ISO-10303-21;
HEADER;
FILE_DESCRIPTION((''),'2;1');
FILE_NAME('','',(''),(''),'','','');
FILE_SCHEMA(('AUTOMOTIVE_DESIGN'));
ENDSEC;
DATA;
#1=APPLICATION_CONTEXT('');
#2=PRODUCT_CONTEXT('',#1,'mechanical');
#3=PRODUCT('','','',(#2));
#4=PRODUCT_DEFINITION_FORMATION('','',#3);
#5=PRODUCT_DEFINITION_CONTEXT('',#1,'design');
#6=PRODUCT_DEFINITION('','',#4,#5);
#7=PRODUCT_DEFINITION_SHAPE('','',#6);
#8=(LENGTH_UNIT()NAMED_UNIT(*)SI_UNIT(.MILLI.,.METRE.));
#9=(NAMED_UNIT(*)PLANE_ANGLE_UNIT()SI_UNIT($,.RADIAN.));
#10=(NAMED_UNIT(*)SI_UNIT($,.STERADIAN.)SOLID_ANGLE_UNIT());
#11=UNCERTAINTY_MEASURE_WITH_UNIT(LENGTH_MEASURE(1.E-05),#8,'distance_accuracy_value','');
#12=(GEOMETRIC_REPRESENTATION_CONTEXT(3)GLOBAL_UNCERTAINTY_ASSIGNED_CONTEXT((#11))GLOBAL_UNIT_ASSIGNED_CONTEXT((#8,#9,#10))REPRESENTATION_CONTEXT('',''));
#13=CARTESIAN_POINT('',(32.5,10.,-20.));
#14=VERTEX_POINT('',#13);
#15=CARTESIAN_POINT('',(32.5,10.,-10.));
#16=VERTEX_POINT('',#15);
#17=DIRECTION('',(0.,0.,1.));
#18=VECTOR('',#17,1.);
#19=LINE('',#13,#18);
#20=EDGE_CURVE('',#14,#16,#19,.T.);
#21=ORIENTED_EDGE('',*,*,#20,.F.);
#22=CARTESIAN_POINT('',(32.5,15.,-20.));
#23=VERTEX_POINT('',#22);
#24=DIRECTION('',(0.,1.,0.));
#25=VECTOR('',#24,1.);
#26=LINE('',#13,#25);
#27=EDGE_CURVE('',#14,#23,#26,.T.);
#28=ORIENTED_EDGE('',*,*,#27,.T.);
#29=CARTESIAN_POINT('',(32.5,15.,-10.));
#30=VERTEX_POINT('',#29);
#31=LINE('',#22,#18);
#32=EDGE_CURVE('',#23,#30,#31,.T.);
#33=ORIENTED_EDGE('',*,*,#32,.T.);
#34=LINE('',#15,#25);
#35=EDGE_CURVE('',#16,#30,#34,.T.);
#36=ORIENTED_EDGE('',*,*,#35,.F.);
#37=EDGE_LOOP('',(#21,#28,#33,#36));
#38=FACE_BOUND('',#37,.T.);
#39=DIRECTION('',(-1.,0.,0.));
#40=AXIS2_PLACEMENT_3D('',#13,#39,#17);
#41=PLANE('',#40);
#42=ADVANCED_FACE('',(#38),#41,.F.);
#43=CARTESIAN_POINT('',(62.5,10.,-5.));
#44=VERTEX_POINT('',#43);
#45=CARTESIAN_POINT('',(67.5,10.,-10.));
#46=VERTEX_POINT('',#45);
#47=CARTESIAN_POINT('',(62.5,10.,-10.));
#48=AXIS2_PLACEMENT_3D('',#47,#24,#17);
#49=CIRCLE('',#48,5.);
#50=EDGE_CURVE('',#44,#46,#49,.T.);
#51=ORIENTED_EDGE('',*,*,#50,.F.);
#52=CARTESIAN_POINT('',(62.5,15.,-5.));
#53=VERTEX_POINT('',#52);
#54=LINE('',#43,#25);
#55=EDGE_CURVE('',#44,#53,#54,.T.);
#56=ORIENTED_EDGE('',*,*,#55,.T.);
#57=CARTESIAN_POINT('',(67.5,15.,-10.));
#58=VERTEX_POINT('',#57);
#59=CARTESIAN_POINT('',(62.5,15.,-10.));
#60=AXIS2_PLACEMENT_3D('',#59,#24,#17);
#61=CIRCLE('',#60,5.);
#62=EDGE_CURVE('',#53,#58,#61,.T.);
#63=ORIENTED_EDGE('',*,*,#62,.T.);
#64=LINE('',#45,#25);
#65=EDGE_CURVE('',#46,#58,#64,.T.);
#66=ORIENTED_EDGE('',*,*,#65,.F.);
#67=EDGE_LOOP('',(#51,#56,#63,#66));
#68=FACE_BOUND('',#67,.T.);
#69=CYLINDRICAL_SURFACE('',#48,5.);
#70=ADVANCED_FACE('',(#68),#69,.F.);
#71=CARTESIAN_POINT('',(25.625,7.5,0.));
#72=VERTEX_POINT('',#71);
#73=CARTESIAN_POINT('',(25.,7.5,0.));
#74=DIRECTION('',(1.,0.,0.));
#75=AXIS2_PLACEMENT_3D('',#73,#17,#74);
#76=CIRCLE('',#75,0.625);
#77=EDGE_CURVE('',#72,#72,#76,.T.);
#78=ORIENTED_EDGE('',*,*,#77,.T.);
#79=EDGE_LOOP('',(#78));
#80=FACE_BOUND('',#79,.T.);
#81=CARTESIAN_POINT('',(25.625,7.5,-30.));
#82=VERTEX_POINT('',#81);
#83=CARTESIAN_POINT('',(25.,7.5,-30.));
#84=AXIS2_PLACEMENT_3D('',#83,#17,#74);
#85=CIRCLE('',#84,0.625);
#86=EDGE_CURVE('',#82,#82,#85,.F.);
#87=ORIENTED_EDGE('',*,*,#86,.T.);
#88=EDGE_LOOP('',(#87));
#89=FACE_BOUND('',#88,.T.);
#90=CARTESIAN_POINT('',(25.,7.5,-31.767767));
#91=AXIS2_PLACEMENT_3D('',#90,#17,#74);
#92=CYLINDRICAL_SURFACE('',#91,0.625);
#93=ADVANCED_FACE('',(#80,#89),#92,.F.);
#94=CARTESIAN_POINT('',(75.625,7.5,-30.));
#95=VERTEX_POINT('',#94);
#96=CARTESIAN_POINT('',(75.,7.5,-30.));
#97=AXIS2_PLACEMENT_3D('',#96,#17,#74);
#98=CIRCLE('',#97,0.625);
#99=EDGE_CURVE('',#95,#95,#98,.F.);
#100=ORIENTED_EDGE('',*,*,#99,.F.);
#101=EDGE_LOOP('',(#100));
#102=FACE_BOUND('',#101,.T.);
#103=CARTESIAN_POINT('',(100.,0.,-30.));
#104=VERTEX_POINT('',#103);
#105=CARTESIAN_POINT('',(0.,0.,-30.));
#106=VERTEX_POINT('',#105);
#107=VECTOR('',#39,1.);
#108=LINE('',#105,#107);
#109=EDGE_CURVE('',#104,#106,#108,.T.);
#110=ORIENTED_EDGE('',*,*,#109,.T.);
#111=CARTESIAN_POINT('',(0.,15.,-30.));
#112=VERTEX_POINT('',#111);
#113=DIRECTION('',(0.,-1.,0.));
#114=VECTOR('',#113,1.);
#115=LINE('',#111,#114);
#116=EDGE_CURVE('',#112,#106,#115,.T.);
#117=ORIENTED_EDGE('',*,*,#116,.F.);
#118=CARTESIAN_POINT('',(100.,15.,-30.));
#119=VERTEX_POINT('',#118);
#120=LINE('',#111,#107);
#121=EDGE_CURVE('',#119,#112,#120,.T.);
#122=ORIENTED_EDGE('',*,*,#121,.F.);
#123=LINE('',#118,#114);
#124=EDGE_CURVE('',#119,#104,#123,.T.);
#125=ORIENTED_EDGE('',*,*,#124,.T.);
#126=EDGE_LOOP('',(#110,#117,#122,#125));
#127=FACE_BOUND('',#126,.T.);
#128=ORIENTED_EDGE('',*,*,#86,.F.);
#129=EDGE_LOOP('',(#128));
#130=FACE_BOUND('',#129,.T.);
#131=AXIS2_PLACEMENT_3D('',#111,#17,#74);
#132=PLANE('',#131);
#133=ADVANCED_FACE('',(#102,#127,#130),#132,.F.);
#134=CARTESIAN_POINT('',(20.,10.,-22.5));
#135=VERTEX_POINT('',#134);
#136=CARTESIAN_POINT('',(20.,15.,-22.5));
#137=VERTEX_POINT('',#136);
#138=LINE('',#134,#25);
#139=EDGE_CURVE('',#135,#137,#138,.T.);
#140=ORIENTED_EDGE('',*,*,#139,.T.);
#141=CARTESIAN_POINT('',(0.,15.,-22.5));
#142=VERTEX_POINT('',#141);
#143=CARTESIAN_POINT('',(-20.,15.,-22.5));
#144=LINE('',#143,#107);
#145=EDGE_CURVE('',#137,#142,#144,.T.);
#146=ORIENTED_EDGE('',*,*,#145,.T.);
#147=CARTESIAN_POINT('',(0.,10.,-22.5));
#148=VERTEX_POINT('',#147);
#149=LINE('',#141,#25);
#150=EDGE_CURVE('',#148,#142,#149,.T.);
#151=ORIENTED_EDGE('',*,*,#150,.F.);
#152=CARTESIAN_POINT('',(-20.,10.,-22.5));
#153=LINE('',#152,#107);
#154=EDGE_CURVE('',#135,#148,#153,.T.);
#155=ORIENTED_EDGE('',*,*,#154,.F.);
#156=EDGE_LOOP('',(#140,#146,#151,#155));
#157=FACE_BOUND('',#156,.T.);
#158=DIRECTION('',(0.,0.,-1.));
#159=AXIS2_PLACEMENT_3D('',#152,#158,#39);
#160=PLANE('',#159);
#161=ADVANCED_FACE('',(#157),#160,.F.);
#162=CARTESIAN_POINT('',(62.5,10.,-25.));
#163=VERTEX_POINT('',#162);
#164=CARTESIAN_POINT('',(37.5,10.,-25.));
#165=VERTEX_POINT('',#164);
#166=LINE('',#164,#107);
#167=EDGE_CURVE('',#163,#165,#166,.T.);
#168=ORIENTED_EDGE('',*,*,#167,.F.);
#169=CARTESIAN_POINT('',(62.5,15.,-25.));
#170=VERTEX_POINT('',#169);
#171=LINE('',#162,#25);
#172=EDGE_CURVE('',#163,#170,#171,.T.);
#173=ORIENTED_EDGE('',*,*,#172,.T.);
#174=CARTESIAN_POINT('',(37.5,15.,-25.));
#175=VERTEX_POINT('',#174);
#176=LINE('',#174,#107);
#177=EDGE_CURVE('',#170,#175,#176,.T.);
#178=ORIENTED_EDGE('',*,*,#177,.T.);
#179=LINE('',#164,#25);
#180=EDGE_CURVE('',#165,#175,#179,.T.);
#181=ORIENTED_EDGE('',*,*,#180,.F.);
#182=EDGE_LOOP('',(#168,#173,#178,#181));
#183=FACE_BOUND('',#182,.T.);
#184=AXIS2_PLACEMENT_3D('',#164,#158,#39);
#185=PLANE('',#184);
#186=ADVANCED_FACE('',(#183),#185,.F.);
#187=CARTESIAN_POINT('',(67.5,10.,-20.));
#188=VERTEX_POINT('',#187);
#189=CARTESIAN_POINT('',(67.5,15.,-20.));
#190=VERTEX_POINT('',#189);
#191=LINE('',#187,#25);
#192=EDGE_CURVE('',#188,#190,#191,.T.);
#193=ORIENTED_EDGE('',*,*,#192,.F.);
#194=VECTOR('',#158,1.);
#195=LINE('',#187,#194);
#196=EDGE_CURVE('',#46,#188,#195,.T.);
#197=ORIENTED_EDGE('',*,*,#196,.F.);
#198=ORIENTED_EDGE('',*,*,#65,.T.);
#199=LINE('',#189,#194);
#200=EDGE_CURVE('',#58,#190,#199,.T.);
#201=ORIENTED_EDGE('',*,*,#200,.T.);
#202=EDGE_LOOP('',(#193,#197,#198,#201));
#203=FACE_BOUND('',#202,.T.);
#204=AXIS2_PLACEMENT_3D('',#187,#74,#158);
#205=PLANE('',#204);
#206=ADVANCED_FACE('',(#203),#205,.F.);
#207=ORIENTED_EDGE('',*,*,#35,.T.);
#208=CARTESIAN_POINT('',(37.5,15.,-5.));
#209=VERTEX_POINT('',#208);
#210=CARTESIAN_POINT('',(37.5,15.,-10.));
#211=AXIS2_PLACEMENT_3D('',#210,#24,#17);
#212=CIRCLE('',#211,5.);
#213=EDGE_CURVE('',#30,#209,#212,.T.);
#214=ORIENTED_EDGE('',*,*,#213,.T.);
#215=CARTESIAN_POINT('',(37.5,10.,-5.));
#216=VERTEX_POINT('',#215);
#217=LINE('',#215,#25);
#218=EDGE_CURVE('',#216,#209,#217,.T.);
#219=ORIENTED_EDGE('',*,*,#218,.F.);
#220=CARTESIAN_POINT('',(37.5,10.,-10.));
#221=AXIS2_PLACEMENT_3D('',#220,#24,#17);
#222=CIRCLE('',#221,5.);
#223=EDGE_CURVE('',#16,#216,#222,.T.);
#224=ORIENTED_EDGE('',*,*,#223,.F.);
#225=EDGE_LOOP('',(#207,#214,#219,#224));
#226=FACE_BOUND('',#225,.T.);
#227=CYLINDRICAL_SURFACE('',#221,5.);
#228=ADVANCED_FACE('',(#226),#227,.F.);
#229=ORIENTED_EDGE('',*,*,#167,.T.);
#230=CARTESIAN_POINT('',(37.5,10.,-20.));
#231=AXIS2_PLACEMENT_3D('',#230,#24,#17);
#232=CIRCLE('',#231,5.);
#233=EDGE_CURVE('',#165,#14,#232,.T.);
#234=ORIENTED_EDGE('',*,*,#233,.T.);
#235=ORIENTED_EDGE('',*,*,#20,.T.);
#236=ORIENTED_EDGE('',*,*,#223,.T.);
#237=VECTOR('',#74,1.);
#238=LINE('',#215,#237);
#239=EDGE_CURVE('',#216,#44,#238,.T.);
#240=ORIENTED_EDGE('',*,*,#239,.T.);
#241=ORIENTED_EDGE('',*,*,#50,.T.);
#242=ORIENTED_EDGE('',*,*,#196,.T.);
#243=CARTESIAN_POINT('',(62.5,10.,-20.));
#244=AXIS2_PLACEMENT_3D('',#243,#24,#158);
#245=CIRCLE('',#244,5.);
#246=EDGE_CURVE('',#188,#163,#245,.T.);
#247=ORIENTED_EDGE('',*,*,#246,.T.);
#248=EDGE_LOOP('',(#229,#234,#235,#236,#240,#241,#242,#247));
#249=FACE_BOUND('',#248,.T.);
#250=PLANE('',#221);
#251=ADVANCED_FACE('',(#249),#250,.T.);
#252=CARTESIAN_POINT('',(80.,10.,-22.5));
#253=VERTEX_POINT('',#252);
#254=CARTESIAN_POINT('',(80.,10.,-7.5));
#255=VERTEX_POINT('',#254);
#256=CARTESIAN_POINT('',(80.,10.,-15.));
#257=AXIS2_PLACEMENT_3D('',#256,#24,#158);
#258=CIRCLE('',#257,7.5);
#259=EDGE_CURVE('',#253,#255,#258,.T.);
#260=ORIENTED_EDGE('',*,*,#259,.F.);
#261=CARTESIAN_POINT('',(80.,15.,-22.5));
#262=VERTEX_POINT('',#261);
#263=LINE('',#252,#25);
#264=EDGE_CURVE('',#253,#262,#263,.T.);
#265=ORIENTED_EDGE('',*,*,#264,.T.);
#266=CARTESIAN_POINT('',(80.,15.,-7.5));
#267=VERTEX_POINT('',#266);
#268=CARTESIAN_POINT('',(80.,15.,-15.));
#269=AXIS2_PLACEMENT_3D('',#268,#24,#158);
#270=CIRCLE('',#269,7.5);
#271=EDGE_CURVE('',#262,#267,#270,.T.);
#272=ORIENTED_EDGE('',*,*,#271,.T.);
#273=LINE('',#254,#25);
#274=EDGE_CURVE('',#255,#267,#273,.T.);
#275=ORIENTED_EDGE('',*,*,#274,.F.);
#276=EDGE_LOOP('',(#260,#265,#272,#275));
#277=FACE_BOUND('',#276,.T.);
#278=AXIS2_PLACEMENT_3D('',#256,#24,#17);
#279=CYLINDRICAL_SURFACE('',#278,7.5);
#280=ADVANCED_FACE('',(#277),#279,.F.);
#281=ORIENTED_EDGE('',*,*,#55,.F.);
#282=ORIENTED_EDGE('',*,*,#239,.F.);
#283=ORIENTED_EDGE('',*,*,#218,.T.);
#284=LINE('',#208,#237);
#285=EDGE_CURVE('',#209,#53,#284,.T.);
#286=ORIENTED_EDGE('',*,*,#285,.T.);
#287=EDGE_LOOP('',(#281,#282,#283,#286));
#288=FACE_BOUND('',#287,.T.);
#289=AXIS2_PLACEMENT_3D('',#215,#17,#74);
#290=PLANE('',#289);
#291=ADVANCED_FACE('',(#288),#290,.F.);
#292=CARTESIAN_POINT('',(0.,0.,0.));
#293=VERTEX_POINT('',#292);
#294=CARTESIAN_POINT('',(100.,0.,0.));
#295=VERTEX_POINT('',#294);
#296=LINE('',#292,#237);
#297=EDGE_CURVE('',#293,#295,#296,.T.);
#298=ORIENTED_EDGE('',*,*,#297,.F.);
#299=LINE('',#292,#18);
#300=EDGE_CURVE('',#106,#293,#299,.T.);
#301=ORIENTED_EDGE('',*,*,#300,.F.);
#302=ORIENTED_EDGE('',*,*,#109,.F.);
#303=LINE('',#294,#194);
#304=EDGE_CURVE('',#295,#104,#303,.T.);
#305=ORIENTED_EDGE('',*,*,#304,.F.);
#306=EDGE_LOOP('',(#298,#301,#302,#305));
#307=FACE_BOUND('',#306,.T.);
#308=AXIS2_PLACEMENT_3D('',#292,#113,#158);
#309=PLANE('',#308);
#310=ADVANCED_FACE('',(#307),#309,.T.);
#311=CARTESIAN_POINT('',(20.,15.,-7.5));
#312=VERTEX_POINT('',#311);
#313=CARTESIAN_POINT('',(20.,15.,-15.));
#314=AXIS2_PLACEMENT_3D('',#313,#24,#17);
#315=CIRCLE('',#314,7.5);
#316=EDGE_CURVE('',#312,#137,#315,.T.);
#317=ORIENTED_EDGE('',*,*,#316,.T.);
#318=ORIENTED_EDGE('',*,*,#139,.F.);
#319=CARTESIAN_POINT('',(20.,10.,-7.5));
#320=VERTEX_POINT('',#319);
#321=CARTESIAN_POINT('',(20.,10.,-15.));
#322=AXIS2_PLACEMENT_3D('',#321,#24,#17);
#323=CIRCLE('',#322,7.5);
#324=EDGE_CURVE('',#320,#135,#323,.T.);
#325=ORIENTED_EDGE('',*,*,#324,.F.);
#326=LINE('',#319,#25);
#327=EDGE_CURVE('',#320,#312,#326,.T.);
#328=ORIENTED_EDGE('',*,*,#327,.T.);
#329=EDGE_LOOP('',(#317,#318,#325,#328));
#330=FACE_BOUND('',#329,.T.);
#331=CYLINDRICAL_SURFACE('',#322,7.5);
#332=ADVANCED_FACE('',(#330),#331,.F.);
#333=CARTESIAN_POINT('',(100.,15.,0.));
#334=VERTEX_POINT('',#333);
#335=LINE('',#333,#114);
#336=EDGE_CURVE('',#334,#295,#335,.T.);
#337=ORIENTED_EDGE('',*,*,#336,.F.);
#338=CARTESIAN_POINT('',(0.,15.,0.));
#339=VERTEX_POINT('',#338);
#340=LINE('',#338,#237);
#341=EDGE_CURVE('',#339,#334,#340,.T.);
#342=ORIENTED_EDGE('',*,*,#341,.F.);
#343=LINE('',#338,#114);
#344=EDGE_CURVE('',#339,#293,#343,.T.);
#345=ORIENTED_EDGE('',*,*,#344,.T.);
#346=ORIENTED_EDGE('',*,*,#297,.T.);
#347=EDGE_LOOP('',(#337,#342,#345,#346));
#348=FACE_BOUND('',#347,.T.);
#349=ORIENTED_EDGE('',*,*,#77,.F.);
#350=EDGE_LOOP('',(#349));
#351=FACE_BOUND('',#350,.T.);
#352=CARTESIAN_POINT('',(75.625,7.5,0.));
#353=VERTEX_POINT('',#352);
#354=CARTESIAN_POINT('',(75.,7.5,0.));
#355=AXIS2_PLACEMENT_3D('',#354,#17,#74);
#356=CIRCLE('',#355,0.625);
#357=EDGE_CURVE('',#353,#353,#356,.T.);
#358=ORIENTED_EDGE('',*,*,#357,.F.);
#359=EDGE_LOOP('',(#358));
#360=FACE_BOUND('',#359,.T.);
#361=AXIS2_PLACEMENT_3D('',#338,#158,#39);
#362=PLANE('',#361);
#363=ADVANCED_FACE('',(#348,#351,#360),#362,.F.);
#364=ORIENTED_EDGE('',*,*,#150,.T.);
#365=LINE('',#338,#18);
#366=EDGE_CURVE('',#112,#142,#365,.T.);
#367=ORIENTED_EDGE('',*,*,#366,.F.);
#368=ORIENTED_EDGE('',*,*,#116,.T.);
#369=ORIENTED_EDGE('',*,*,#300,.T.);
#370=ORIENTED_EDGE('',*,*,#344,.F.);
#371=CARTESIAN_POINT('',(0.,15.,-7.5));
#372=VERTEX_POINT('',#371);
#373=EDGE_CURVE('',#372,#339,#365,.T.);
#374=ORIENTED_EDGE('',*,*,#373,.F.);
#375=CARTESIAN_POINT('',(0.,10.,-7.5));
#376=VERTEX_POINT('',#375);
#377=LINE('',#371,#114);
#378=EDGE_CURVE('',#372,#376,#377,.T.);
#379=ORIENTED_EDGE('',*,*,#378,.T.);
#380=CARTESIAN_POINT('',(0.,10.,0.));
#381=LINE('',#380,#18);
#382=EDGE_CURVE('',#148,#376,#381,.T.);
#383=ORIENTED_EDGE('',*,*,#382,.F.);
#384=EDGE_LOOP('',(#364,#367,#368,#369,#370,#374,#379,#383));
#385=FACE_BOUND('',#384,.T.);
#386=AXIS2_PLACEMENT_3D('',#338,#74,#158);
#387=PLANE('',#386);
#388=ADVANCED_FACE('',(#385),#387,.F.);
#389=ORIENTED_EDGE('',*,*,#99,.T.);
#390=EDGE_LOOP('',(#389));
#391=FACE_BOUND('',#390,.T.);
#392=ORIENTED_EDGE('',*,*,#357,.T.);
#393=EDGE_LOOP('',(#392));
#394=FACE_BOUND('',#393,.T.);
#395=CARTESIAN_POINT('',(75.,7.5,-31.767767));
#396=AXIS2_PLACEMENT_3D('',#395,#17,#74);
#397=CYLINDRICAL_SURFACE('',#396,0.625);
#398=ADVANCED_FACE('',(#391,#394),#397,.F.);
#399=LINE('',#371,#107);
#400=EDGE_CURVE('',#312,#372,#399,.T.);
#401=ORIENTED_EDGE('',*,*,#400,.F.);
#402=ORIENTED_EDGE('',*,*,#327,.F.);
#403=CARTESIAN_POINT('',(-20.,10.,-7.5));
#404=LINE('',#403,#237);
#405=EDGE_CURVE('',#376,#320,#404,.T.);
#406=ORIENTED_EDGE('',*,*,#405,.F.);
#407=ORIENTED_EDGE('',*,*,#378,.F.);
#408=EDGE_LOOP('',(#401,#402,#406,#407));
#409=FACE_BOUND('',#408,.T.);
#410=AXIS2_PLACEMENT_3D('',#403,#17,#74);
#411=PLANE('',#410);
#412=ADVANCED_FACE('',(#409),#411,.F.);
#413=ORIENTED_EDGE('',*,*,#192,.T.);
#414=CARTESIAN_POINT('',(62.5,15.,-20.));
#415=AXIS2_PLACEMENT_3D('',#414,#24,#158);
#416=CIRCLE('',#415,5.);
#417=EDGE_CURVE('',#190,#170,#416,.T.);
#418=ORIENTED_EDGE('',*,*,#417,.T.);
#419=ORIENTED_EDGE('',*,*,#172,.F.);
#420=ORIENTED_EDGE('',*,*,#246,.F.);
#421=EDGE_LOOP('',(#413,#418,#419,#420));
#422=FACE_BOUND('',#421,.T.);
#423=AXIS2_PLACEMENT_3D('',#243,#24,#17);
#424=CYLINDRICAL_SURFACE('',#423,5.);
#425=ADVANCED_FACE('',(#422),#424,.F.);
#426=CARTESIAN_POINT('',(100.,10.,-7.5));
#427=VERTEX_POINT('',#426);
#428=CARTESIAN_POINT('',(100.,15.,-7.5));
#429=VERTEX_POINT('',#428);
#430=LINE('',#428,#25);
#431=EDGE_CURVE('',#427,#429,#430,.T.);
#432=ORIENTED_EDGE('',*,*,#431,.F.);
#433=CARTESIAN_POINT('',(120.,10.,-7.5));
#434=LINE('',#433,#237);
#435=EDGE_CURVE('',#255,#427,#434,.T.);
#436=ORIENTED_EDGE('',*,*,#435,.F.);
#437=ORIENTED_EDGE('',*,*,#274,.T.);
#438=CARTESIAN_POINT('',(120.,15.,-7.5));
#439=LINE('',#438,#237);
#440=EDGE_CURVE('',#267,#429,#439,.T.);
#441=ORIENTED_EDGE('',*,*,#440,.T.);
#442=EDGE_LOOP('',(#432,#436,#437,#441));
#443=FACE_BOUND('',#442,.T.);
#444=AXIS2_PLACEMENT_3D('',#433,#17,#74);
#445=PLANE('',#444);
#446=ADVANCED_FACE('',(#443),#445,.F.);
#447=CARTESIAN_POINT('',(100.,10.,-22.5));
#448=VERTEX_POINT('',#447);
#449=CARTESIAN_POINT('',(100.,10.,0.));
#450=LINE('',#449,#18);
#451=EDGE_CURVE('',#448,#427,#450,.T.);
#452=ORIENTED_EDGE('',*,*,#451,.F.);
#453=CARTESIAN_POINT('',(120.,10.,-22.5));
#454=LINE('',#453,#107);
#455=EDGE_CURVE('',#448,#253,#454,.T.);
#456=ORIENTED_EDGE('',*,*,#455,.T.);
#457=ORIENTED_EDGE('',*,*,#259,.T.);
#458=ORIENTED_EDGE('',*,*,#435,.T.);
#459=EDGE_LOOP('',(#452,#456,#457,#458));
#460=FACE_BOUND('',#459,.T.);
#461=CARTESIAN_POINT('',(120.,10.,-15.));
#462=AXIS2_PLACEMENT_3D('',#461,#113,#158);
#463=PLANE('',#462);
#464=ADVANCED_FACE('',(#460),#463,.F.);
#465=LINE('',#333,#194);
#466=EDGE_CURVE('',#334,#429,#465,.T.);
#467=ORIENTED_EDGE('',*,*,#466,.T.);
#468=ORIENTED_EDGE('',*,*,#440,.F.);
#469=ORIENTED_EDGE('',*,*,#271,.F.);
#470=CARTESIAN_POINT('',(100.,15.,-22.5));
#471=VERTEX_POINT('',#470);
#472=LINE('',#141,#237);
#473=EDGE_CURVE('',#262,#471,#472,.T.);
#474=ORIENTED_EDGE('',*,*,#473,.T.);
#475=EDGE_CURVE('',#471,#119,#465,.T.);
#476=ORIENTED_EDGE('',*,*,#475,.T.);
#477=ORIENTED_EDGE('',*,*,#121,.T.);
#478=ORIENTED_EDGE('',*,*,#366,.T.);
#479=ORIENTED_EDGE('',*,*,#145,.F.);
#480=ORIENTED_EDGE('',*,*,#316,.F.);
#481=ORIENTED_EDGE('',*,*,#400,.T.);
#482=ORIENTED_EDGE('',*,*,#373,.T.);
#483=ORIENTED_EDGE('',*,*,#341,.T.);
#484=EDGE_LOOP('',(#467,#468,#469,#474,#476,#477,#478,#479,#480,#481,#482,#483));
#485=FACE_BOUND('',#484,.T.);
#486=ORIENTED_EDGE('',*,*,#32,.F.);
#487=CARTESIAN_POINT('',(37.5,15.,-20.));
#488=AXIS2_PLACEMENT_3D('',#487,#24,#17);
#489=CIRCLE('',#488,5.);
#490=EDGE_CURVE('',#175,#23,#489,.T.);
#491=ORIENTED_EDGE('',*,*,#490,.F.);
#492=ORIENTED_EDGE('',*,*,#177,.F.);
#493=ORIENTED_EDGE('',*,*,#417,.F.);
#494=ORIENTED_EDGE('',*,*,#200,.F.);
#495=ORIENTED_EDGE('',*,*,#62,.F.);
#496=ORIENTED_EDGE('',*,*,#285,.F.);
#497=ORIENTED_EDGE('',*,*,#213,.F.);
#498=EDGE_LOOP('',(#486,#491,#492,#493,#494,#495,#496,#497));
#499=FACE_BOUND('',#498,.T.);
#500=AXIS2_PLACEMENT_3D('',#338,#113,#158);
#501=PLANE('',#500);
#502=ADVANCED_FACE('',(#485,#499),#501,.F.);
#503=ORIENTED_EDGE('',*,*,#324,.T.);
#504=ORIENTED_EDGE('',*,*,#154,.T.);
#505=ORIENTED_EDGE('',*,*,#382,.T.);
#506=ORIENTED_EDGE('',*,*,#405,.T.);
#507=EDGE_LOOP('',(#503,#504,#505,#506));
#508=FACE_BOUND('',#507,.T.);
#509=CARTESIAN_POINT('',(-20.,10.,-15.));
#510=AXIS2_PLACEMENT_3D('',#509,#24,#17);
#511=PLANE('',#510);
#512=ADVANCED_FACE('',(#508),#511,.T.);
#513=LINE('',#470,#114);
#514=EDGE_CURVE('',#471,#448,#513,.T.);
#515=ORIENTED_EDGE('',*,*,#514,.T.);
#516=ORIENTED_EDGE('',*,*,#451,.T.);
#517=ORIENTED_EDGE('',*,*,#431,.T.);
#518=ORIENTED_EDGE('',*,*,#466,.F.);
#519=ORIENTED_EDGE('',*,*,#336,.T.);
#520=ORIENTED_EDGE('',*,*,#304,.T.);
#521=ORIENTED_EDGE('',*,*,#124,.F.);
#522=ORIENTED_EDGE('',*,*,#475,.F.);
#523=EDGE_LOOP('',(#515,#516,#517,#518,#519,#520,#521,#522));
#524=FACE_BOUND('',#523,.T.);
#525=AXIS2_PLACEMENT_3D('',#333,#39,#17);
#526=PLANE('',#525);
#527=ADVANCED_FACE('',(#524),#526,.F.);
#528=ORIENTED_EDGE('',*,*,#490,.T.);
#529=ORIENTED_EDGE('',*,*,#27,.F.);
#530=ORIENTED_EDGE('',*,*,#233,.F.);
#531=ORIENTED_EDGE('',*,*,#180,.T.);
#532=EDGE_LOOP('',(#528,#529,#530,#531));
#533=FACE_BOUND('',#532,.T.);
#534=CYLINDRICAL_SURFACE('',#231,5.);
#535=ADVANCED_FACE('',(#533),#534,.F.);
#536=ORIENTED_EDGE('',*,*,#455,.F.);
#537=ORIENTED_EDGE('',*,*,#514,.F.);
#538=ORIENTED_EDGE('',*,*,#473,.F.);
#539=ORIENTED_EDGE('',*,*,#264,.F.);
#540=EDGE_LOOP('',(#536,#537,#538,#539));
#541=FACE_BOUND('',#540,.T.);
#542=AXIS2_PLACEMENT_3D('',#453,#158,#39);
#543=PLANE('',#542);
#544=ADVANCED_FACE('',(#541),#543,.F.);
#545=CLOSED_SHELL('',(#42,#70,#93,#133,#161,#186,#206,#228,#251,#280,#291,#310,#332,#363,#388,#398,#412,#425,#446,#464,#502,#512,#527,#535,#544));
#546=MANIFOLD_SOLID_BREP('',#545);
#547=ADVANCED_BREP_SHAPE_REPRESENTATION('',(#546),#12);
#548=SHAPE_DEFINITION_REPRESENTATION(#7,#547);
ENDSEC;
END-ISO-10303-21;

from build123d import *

# Parameters (mm, degrees)
SKETCH1_W           = 100
SKETCH1_H           = 30
BOSS_EXTRUDE1_DEPTH = 15
CUT_EXTRUDE1_DEPTH  = 5
SKETCH3_R           = 0.625
CUT_EXTRUDE2_DEPTH  = 30
CUT_EXTRUDE3_DEPTH  = 5


with BuildPart() as part:
    # Sketch1 → Boss-Extrude1 (new body)
    with BuildSketch(Plane(origin=(0, 0, 0), x_dir=(1, 0, 0), z_dir=(0, 1, 0))):
        with Locations((50, 15)):
            Rectangle(SKETCH1_W, SKETCH1_H)
    extrude(amount=BOSS_EXTRUDE1_DEPTH)

    # Sketch2 → Cut-Extrude1 (cut)
    with BuildSketch(Plane(origin=(0, 15, 0), x_dir=(1, 0, 0), z_dir=(0, 1, 0))):
        with BuildLine():
            Line((-20, 22.5), (20, 22.5))
            ThreePointArc((20, 22.5), (27.5, 15), (20, 7.5))
            Line((20, 7.5), (-20, 7.5))
            ThreePointArc((-20, 7.5), (-27.5, 15), (-20, 22.5))
        make_face()
        with BuildLine():
            Line((120, 22.5), (80, 22.5))
            ThreePointArc((80, 22.5), (72.5, 15), (80, 7.5))
            Line((80, 7.5), (120, 7.5))
            ThreePointArc((120, 7.5), (127.5, 15), (120, 22.5))
        make_face()
    extrude(amount=-CUT_EXTRUDE1_DEPTH, mode=Mode.SUBTRACT)

    # Sketch3 → Cut-Extrude2 (cut)
    with BuildSketch(Plane.XY):
        with Locations((25, 7.5)):
            Circle(SKETCH3_R)
        with Locations((75, 7.5)):
            Circle(SKETCH3_R)
    extrude(amount=-CUT_EXTRUDE2_DEPTH, mode=Mode.SUBTRACT)

    # Sketch4 → Cut-Extrude3 (cut)
    with BuildSketch(Plane(origin=(0, 15, 0), x_dir=(1, 0, 0), z_dir=(0, 1, 0))):
        with BuildLine():
            Line((37.5, 25), (62.5, 25))
            ThreePointArc((62.5, 25), (66.035533906, 23.535533906), (67.5, 20))
            Line((67.5, 20), (67.5, 10))
            ThreePointArc((67.5, 10), (66.035533906, 6.464466094), (62.5, 5))
            Line((62.5, 5), (37.5, 5))
            ThreePointArc((37.5, 5), (33.964466094, 6.464466094), (32.5, 10))
            Line((32.5, 10), (32.5, 20))
            ThreePointArc((32.5, 20), (33.964466094, 23.535533906), (37.5, 25))
        make_face()
    extrude(amount=-CUT_EXTRUDE3_DEPTH, mode=Mode.SUBTRACT)


solid = part.part
